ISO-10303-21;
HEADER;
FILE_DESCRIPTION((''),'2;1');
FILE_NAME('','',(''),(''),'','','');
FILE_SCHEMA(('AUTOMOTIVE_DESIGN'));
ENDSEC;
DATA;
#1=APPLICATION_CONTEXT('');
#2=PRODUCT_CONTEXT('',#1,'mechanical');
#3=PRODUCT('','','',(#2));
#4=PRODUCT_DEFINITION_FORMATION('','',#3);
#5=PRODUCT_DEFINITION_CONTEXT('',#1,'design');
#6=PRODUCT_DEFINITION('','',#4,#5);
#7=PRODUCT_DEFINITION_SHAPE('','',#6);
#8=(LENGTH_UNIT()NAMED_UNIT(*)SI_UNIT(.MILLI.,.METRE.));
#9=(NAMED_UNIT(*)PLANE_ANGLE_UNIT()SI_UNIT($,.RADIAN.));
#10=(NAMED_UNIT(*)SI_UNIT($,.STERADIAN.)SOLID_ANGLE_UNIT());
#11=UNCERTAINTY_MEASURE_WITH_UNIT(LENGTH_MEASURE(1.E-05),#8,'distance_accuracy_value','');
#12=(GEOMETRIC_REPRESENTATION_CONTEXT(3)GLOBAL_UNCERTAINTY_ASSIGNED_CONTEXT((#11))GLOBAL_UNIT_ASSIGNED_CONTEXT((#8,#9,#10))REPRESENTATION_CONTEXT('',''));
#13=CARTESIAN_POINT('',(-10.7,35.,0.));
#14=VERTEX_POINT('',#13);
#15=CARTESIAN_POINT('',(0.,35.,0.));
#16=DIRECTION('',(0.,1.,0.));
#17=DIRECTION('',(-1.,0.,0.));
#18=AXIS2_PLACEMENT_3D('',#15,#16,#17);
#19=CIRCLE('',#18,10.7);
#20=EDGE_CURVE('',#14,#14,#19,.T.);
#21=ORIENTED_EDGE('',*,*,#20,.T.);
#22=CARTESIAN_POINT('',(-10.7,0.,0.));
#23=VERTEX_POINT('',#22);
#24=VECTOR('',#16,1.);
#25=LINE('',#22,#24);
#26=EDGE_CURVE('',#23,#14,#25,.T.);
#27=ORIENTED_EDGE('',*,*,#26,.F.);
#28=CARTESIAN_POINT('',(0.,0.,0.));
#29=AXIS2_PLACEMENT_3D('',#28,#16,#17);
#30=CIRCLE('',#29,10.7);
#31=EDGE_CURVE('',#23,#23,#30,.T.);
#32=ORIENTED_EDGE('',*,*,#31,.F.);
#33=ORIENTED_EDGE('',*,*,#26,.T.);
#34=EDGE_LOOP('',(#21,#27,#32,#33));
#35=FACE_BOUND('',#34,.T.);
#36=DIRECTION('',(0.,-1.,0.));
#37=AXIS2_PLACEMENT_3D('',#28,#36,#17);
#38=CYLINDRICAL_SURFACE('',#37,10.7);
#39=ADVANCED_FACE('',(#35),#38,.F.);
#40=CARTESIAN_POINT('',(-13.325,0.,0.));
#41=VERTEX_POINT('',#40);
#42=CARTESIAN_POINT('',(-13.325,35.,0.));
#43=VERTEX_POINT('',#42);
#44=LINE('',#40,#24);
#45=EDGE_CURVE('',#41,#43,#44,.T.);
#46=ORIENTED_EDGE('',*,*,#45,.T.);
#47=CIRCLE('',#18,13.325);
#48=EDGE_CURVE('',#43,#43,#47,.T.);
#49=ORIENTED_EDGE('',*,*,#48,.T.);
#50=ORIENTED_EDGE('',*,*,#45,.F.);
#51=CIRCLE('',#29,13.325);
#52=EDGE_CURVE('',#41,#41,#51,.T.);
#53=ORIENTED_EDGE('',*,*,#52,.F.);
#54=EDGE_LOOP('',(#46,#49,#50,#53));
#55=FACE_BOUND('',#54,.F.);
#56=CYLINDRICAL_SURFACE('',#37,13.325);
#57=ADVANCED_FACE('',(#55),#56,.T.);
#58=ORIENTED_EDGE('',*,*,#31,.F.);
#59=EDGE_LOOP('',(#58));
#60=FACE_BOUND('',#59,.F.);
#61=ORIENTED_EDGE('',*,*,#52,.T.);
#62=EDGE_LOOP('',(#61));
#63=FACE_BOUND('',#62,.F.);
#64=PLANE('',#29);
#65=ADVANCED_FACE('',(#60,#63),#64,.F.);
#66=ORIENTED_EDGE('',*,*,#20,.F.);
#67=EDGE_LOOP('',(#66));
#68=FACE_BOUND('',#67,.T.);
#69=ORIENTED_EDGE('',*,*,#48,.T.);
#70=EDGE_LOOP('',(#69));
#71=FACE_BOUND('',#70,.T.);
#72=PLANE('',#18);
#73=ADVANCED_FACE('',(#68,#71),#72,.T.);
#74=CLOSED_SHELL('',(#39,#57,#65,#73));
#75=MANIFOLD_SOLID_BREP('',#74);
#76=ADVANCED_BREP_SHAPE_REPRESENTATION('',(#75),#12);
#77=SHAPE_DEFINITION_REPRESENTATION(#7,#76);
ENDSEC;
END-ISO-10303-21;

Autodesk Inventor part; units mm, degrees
ref_plane "YZ Plane" through (0, 0, 0) normal (1, 0, 0) x (0, 1, 0)
ref_plane "XZ Plane" through (0, 0, 0) normal (0, 1, 0) x (-1, 0, 0)
ref_plane "XY Plane" through (0, 0, 0) normal (0, 0, 1) x (1, 0, 0)
sketch "Boceto2" plane through (0, 0, 0) normal (0, 1, 0) x (-1, 0, 0)
  circle A0 centre (0, 0) radius 13.325
  circle A1 centre (0, 0) radius 10.7
  dimension "d1" = 26.65
  dimension "d2" = 21.4
extrude "Extrusión1" add sketch "Boceto2" along normal blind 35
properties part number "Tubo 34 35mm"
